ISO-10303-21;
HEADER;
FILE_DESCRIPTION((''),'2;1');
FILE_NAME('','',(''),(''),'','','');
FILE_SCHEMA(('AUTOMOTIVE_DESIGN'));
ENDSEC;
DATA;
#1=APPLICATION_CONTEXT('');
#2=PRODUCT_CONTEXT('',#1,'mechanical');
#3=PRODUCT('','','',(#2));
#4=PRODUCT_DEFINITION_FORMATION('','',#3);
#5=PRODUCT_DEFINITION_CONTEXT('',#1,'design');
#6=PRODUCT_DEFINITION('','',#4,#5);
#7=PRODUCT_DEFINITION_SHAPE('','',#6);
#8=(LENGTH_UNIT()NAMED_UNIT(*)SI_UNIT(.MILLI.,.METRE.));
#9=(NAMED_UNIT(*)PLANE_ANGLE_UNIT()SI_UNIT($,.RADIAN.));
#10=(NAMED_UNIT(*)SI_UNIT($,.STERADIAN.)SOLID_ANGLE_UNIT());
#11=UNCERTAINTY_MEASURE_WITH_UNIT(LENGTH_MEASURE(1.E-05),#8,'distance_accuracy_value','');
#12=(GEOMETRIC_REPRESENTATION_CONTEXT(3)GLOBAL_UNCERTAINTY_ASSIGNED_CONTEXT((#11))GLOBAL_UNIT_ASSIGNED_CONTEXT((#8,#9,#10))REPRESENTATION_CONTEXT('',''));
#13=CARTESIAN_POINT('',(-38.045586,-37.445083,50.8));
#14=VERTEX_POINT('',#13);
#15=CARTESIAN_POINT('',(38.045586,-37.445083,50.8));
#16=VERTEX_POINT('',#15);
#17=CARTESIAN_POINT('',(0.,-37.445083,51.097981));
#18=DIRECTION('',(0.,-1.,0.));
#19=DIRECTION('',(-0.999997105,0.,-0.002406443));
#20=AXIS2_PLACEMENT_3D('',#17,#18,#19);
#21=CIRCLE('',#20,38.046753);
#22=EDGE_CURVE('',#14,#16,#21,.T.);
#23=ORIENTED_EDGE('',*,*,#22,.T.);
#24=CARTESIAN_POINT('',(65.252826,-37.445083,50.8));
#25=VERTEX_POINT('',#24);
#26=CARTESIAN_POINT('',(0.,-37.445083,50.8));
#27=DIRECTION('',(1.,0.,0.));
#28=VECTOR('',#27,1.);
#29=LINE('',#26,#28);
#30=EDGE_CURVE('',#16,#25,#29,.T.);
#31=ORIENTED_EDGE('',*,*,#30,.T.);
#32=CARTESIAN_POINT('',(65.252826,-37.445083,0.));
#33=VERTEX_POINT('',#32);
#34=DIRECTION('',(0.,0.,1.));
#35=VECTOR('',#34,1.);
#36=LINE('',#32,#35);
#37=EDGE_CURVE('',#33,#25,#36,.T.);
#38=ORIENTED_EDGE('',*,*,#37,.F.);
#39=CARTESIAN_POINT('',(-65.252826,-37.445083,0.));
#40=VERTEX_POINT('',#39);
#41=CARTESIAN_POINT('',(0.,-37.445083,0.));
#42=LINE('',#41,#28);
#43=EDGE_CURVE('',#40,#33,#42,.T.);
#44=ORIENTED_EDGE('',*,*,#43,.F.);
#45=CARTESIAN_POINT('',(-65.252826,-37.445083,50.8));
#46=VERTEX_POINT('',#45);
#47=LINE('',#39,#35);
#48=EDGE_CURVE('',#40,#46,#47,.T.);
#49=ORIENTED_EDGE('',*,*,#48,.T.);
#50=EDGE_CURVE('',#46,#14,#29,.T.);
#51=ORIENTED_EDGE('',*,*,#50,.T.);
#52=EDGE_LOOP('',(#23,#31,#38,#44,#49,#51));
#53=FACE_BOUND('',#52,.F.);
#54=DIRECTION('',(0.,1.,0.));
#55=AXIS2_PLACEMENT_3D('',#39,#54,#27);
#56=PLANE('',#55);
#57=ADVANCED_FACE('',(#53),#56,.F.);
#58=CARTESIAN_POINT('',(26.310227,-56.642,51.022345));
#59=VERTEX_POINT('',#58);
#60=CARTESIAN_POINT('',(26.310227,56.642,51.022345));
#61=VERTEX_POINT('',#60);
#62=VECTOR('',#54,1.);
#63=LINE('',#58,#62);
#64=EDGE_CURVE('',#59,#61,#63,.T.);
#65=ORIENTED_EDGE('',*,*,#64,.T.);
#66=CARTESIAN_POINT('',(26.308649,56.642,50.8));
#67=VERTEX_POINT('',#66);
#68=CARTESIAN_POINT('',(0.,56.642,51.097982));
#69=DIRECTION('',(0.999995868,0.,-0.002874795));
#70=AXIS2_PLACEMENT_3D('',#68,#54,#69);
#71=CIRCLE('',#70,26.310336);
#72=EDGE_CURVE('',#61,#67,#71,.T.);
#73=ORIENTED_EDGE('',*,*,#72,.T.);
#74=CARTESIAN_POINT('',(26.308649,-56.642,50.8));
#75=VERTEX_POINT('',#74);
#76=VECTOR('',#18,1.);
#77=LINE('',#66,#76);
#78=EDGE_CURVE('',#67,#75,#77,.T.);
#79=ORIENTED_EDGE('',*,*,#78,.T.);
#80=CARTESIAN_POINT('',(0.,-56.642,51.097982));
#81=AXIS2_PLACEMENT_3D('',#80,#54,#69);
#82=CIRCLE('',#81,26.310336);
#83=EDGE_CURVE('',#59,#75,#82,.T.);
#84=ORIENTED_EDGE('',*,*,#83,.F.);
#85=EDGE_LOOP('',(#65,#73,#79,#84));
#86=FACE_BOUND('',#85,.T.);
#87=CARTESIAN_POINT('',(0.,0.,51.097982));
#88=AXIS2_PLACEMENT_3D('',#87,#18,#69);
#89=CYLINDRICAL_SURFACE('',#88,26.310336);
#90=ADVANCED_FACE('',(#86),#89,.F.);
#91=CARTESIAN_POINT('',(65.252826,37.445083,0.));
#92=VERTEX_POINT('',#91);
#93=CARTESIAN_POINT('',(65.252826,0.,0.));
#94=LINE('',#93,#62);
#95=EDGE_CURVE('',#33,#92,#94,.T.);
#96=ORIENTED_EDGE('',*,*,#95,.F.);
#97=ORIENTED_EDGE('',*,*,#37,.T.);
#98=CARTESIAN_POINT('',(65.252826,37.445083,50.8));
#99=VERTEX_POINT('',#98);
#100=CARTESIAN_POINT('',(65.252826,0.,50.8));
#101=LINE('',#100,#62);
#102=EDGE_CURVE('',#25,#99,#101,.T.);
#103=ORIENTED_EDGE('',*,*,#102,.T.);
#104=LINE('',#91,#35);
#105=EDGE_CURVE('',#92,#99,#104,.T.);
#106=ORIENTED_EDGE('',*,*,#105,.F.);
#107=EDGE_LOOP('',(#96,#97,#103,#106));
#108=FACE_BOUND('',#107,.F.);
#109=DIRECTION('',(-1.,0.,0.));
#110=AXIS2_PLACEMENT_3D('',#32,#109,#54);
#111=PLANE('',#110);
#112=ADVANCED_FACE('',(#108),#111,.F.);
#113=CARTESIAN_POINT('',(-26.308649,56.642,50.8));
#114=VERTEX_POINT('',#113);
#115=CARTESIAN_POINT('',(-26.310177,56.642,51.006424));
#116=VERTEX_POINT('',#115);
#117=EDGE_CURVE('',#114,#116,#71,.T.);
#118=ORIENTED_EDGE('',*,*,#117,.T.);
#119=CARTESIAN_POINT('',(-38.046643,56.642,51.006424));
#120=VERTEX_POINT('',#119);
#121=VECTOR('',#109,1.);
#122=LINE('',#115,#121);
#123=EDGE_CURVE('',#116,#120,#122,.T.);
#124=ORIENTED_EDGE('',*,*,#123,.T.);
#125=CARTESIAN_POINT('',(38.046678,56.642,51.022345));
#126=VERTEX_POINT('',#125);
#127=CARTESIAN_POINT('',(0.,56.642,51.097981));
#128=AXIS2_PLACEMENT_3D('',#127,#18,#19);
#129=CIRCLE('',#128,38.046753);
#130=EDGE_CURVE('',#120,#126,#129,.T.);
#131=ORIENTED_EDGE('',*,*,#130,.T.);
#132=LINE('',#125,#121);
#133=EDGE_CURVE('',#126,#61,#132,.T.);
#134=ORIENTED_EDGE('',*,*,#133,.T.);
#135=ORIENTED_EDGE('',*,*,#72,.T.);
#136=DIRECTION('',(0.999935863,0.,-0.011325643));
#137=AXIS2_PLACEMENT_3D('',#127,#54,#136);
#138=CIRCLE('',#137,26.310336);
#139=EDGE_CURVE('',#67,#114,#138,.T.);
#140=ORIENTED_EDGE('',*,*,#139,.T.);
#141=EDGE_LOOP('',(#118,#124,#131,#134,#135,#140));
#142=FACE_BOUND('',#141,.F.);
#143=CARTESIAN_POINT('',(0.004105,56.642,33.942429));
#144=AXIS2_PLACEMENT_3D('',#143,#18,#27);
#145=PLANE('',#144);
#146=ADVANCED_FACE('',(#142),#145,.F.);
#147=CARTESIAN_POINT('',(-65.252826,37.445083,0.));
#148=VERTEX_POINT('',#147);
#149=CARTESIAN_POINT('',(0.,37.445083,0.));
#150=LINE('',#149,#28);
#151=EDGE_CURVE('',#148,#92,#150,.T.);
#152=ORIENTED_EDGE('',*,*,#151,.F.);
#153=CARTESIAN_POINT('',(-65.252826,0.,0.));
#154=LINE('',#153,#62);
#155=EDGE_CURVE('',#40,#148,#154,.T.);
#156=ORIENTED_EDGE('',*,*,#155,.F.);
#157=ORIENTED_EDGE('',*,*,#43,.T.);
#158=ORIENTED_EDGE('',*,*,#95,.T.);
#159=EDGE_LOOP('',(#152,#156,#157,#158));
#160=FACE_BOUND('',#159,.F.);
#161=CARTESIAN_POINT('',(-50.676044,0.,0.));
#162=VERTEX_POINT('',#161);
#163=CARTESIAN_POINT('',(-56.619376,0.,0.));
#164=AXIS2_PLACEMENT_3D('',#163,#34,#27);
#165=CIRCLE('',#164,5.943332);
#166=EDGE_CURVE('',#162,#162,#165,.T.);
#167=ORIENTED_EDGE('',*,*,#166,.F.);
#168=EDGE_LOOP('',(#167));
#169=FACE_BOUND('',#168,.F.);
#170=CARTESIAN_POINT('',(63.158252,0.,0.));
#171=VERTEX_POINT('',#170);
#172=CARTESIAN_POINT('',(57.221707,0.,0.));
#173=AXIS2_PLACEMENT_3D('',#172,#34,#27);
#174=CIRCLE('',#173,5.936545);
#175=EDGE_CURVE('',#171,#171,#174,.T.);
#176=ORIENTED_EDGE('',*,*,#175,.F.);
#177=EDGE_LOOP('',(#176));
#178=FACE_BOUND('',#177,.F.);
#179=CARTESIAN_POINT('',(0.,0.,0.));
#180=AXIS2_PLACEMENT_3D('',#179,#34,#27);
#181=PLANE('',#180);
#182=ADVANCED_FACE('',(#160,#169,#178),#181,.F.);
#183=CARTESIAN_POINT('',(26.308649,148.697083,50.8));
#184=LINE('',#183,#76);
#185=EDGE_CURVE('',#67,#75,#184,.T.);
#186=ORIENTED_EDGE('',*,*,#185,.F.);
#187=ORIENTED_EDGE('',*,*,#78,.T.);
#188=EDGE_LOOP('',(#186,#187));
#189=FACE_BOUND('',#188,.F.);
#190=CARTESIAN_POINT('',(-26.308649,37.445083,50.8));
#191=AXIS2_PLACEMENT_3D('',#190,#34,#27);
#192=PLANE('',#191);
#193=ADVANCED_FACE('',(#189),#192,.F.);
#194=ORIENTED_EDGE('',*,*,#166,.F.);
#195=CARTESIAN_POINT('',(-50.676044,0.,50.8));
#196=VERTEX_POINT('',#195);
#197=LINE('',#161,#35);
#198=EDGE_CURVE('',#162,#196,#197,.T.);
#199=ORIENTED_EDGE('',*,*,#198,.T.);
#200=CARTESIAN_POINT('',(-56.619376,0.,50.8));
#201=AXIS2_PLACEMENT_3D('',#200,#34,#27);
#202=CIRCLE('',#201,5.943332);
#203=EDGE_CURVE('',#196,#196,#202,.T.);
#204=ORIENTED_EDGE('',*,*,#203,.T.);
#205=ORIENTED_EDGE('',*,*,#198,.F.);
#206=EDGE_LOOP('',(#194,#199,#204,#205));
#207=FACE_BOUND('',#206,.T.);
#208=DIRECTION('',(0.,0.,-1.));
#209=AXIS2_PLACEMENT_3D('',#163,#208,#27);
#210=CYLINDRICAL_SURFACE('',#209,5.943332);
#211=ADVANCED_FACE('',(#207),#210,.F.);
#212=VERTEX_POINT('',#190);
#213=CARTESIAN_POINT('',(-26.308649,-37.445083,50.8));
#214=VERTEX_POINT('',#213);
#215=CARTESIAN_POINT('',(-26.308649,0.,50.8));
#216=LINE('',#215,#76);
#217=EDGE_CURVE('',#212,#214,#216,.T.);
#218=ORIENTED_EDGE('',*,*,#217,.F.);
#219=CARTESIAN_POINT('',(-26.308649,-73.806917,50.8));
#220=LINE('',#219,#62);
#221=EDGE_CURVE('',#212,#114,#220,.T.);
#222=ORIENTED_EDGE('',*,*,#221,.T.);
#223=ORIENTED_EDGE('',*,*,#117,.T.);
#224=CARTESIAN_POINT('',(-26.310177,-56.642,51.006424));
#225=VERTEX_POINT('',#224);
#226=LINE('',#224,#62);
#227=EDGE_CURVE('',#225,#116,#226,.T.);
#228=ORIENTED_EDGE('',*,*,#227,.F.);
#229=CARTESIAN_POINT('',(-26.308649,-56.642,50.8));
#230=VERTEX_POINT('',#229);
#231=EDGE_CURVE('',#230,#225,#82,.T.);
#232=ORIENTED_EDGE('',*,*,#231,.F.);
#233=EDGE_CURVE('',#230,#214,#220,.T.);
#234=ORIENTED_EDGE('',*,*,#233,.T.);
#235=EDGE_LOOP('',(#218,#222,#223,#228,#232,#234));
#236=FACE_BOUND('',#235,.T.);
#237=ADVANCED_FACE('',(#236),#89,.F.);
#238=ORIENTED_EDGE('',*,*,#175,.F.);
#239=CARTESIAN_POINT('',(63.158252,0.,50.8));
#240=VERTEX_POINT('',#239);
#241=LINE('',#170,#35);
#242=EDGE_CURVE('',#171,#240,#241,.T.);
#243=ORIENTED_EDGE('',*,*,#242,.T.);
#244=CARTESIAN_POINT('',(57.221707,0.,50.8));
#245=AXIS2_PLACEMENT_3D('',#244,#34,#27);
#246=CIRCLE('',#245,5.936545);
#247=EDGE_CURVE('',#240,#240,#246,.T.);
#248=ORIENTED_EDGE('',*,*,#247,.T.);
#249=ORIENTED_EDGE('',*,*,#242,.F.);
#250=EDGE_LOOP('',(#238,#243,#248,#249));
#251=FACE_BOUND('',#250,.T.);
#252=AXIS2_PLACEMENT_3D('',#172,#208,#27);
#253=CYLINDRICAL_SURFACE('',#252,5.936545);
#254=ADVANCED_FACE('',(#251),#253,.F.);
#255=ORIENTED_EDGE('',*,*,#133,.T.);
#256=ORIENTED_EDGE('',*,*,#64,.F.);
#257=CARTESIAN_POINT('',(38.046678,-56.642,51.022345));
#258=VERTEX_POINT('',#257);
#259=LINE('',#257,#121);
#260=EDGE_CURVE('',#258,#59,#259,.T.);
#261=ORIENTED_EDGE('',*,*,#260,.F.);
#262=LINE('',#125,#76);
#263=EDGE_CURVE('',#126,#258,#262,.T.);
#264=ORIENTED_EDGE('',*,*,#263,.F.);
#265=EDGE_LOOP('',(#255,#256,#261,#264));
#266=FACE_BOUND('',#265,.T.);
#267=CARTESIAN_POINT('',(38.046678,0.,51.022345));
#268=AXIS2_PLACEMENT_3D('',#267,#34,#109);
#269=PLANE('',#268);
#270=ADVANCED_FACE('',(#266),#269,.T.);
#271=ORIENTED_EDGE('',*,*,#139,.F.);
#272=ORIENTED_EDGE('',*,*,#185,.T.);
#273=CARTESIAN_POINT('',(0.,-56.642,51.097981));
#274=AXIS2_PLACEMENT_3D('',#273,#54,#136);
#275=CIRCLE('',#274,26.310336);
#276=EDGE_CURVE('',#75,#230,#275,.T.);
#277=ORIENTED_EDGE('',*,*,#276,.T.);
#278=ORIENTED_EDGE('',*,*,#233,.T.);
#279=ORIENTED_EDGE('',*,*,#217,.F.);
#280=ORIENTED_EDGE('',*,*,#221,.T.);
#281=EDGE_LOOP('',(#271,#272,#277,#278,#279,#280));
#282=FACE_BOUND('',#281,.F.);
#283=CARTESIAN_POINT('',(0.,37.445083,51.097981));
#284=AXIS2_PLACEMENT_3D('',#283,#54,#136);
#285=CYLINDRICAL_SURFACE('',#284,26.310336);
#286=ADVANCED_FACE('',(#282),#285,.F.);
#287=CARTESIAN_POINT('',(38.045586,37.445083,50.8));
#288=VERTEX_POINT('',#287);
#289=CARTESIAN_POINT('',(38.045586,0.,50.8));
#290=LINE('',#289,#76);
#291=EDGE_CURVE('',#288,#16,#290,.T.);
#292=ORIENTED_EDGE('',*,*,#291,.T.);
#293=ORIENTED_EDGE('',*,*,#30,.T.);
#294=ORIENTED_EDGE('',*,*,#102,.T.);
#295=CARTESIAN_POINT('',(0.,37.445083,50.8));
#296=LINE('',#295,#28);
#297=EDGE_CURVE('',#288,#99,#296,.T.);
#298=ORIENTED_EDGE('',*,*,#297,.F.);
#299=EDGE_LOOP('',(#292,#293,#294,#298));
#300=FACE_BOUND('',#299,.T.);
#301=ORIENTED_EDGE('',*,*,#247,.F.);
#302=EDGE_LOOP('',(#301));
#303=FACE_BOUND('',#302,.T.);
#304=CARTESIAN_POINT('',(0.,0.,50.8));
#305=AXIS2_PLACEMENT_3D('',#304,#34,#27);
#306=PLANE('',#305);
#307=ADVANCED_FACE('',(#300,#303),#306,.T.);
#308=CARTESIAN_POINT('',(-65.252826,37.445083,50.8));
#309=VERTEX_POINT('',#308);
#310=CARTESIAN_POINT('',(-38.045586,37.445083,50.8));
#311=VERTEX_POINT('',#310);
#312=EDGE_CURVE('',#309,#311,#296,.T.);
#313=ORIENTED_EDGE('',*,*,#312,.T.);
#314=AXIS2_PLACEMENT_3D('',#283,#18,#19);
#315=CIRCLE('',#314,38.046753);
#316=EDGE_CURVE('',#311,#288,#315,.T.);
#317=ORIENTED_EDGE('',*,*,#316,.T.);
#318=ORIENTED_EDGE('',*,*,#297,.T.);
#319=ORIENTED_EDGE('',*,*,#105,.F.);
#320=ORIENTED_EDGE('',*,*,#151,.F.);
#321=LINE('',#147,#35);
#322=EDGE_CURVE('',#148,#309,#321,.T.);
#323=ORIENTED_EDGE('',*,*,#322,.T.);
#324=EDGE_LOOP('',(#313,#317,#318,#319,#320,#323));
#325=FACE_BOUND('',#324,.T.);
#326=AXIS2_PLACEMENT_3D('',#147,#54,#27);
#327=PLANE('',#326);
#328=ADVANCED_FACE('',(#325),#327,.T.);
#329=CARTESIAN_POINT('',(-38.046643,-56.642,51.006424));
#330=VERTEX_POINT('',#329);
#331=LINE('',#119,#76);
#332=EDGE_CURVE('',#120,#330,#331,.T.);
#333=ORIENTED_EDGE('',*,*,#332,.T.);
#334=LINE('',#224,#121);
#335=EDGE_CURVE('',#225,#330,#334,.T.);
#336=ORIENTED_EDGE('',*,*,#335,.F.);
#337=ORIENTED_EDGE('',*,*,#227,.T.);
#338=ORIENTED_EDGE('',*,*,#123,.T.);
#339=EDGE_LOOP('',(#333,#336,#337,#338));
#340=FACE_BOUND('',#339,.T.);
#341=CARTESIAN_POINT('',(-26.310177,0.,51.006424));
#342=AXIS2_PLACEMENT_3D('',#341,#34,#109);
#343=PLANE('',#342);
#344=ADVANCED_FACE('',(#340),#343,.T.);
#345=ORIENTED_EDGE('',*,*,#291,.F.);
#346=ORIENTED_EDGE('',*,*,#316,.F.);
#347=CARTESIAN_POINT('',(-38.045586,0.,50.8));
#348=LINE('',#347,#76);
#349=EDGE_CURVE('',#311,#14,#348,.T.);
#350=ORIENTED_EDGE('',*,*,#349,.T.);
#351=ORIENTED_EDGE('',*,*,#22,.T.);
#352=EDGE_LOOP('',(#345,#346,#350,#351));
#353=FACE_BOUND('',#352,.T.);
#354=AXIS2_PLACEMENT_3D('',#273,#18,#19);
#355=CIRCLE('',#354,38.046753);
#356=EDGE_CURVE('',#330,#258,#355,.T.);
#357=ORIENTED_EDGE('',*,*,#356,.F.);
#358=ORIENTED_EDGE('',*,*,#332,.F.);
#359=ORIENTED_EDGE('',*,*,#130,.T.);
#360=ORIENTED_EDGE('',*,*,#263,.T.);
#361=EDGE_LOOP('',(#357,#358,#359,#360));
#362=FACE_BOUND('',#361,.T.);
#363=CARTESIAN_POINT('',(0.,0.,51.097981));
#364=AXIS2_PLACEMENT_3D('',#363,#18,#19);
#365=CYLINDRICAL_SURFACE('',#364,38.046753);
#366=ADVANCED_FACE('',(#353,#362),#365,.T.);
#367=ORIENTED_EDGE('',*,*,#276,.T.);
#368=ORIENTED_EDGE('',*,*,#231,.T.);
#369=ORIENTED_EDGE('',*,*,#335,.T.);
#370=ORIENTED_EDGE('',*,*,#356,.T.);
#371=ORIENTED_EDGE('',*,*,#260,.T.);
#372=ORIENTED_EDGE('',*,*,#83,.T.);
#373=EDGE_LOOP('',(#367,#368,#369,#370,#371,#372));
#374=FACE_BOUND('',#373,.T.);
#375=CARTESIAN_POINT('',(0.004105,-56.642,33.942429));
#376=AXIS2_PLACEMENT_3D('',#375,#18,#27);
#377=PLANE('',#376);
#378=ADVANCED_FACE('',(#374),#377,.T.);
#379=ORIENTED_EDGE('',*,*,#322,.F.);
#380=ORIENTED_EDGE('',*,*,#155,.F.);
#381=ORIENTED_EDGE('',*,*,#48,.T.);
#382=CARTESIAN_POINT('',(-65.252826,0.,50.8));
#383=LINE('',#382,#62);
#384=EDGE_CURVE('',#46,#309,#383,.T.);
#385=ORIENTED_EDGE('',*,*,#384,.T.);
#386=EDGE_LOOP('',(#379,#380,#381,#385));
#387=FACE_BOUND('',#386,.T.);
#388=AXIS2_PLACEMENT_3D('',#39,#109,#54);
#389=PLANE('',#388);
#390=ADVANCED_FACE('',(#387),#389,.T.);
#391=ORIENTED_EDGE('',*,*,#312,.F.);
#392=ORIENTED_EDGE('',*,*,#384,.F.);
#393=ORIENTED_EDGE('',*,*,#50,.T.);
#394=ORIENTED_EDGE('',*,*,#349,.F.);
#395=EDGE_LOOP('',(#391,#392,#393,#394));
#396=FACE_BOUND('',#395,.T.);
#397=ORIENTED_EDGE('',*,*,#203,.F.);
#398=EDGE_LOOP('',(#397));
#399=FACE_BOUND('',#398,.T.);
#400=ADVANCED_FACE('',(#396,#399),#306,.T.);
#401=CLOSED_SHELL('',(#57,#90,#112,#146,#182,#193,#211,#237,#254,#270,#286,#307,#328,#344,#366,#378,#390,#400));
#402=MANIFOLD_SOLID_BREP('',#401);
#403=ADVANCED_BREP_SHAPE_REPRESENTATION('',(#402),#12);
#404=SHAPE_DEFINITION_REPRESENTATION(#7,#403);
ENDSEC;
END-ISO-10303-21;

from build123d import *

# Parameters (mm, degrees)
F0_W     = 130.505652
F0_H     = 74.890166
F0_R     = 5.943332
F0_R_2   = 5.936545
F1_DEPTH = 50.8
F3_DEPTH = 56.642
F4_DEPTH = 111.252


with BuildPart() as f1:
    # F0 (on Top) → F1 (new body)
    with BuildSketch(Plane.XY):
        Rectangle(F0_W, F0_H)
        with Locations((-56.619376, 0)):
            Circle(F0_R, mode=Mode.SUBTRACT)
        with Locations((57.221707, 0)):
            Circle(F0_R_2, mode=Mode.SUBTRACT)
    extrude(amount=F1_DEPTH)

    # F2 (on Front) → F3 (join, symmetric)
    with BuildSketch(Plane.XZ):
        with BuildLine():
            Line((-26.310177, 51.006424), (-38.046643, 51.006424))
            ThreePointArc((-38.046643, 51.006424), (0.00796, 13.051229), (38.046678, 51.022345))
            Line((38.046678, 51.022345), (26.310227, 51.022345))
            ThreePointArc((26.310227, 51.022345), (0.00796, 24.787647), (-26.310177, 51.006424))
        make_face()
    extrude(amount=F3_DEPTH, both=True)

    # F3_face (on face) → F4 (cut, symmetric)
    with BuildSketch(Plane(origin=(0, 37.445083, 39.770332), x_dir=(-1, 0, 0), z_dir=(0, 1, 0))):
        with BuildLine():
            ThreePointArc((-26.308649, 11.029668), (0, -14.982687), (26.308649, 11.029668))
            Line((26.308649, 11.029668), (-26.308649, 11.029668))
        make_face()
    extrude(amount=F4_DEPTH, both=True, mode=Mode.SUBTRACT)


solid = f1.part
